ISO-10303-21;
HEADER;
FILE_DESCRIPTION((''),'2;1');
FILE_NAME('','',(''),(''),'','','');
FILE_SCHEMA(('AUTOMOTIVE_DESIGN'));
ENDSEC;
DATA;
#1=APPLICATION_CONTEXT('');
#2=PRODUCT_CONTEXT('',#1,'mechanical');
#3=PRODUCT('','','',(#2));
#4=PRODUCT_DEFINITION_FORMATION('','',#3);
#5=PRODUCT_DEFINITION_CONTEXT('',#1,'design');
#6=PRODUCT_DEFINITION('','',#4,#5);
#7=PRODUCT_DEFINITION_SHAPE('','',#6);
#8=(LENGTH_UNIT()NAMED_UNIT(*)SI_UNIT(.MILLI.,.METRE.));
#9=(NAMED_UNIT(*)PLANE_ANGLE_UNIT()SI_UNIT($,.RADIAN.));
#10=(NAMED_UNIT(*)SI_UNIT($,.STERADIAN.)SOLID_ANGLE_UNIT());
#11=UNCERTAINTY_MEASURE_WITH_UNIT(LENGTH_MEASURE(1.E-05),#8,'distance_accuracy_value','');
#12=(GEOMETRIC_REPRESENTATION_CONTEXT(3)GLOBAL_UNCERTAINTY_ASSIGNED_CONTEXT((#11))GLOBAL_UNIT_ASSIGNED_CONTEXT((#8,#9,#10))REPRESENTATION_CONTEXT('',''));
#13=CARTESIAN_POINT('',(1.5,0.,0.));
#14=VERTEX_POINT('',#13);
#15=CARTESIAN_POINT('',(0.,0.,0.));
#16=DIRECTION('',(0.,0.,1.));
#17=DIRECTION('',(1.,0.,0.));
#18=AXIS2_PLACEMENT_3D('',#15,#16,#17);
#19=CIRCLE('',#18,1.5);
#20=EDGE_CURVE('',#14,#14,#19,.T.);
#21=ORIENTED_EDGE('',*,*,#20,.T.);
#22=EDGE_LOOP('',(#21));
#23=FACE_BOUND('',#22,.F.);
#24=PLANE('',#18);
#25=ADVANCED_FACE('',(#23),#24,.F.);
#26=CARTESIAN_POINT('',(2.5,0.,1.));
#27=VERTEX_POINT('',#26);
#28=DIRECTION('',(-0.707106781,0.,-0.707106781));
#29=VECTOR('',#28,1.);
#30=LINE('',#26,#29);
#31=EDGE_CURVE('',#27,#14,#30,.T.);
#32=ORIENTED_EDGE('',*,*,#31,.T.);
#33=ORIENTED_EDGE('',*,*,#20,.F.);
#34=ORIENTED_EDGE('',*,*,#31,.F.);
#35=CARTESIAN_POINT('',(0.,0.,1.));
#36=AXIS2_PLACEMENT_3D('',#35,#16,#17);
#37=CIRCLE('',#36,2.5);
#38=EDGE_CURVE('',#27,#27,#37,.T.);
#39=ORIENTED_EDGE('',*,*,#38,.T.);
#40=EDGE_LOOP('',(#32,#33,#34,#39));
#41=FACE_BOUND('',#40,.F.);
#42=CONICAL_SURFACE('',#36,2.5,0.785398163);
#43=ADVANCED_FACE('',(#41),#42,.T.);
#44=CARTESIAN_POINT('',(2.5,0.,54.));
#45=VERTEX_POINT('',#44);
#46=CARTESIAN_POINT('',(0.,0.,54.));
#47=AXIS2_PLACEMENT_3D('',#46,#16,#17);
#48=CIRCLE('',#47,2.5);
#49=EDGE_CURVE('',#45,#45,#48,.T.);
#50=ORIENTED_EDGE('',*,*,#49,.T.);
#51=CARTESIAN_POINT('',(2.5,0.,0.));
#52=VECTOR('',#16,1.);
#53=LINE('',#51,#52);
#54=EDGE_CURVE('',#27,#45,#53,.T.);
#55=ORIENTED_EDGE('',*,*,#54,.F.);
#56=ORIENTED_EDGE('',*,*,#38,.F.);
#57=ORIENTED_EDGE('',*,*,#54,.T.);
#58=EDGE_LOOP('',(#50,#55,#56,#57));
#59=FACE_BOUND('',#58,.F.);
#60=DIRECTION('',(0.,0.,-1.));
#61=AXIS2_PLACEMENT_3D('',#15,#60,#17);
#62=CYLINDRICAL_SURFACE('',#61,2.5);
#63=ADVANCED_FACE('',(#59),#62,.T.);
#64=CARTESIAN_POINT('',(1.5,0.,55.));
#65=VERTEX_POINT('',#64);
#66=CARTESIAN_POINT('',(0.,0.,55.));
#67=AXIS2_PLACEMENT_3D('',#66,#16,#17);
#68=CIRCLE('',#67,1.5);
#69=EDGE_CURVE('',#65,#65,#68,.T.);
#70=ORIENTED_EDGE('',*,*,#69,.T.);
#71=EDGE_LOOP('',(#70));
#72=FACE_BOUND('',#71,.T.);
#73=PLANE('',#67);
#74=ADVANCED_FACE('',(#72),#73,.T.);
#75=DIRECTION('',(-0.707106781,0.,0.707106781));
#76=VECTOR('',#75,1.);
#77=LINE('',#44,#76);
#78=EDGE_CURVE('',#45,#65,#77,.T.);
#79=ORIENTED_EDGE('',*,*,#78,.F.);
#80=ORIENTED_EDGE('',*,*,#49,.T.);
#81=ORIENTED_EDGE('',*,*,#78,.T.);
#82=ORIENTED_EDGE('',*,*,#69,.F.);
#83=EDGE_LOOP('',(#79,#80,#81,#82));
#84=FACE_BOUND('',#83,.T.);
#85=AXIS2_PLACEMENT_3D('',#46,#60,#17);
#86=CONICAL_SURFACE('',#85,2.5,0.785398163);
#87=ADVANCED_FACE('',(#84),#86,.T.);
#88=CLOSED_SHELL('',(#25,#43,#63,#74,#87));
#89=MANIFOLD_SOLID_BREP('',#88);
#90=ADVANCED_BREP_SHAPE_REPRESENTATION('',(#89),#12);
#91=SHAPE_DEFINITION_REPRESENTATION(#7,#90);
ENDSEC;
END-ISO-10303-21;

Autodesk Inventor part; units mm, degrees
ref_plane "YZ Plane" through (0, 0, 0) normal (1, 0, 0) x (0, 1, 0)
ref_plane "XZ Plane" through (0, 0, 0) normal (0, 1, 0) x (-1, 0, 0)
ref_plane "XY Plane" through (0, 0, 0) normal (0, 0, 1) x (1, 0, 0)
sketch "Sketch1" plane through (0, 0, 0) normal (0, 0, 1) x (1, 0, 0)
  circle A0 centre (0, 0) radius 2.5
  dimension "d0" = 5
extrude "Extrusion1" add sketch "Sketch1" along normal blind 55
chamfer "Chamfer1" distance 1 angle 45 2 edges at (-2.5, 0, 55) (-2.5, 0, 0)
properties part number "2nd arm and clamp pin"
